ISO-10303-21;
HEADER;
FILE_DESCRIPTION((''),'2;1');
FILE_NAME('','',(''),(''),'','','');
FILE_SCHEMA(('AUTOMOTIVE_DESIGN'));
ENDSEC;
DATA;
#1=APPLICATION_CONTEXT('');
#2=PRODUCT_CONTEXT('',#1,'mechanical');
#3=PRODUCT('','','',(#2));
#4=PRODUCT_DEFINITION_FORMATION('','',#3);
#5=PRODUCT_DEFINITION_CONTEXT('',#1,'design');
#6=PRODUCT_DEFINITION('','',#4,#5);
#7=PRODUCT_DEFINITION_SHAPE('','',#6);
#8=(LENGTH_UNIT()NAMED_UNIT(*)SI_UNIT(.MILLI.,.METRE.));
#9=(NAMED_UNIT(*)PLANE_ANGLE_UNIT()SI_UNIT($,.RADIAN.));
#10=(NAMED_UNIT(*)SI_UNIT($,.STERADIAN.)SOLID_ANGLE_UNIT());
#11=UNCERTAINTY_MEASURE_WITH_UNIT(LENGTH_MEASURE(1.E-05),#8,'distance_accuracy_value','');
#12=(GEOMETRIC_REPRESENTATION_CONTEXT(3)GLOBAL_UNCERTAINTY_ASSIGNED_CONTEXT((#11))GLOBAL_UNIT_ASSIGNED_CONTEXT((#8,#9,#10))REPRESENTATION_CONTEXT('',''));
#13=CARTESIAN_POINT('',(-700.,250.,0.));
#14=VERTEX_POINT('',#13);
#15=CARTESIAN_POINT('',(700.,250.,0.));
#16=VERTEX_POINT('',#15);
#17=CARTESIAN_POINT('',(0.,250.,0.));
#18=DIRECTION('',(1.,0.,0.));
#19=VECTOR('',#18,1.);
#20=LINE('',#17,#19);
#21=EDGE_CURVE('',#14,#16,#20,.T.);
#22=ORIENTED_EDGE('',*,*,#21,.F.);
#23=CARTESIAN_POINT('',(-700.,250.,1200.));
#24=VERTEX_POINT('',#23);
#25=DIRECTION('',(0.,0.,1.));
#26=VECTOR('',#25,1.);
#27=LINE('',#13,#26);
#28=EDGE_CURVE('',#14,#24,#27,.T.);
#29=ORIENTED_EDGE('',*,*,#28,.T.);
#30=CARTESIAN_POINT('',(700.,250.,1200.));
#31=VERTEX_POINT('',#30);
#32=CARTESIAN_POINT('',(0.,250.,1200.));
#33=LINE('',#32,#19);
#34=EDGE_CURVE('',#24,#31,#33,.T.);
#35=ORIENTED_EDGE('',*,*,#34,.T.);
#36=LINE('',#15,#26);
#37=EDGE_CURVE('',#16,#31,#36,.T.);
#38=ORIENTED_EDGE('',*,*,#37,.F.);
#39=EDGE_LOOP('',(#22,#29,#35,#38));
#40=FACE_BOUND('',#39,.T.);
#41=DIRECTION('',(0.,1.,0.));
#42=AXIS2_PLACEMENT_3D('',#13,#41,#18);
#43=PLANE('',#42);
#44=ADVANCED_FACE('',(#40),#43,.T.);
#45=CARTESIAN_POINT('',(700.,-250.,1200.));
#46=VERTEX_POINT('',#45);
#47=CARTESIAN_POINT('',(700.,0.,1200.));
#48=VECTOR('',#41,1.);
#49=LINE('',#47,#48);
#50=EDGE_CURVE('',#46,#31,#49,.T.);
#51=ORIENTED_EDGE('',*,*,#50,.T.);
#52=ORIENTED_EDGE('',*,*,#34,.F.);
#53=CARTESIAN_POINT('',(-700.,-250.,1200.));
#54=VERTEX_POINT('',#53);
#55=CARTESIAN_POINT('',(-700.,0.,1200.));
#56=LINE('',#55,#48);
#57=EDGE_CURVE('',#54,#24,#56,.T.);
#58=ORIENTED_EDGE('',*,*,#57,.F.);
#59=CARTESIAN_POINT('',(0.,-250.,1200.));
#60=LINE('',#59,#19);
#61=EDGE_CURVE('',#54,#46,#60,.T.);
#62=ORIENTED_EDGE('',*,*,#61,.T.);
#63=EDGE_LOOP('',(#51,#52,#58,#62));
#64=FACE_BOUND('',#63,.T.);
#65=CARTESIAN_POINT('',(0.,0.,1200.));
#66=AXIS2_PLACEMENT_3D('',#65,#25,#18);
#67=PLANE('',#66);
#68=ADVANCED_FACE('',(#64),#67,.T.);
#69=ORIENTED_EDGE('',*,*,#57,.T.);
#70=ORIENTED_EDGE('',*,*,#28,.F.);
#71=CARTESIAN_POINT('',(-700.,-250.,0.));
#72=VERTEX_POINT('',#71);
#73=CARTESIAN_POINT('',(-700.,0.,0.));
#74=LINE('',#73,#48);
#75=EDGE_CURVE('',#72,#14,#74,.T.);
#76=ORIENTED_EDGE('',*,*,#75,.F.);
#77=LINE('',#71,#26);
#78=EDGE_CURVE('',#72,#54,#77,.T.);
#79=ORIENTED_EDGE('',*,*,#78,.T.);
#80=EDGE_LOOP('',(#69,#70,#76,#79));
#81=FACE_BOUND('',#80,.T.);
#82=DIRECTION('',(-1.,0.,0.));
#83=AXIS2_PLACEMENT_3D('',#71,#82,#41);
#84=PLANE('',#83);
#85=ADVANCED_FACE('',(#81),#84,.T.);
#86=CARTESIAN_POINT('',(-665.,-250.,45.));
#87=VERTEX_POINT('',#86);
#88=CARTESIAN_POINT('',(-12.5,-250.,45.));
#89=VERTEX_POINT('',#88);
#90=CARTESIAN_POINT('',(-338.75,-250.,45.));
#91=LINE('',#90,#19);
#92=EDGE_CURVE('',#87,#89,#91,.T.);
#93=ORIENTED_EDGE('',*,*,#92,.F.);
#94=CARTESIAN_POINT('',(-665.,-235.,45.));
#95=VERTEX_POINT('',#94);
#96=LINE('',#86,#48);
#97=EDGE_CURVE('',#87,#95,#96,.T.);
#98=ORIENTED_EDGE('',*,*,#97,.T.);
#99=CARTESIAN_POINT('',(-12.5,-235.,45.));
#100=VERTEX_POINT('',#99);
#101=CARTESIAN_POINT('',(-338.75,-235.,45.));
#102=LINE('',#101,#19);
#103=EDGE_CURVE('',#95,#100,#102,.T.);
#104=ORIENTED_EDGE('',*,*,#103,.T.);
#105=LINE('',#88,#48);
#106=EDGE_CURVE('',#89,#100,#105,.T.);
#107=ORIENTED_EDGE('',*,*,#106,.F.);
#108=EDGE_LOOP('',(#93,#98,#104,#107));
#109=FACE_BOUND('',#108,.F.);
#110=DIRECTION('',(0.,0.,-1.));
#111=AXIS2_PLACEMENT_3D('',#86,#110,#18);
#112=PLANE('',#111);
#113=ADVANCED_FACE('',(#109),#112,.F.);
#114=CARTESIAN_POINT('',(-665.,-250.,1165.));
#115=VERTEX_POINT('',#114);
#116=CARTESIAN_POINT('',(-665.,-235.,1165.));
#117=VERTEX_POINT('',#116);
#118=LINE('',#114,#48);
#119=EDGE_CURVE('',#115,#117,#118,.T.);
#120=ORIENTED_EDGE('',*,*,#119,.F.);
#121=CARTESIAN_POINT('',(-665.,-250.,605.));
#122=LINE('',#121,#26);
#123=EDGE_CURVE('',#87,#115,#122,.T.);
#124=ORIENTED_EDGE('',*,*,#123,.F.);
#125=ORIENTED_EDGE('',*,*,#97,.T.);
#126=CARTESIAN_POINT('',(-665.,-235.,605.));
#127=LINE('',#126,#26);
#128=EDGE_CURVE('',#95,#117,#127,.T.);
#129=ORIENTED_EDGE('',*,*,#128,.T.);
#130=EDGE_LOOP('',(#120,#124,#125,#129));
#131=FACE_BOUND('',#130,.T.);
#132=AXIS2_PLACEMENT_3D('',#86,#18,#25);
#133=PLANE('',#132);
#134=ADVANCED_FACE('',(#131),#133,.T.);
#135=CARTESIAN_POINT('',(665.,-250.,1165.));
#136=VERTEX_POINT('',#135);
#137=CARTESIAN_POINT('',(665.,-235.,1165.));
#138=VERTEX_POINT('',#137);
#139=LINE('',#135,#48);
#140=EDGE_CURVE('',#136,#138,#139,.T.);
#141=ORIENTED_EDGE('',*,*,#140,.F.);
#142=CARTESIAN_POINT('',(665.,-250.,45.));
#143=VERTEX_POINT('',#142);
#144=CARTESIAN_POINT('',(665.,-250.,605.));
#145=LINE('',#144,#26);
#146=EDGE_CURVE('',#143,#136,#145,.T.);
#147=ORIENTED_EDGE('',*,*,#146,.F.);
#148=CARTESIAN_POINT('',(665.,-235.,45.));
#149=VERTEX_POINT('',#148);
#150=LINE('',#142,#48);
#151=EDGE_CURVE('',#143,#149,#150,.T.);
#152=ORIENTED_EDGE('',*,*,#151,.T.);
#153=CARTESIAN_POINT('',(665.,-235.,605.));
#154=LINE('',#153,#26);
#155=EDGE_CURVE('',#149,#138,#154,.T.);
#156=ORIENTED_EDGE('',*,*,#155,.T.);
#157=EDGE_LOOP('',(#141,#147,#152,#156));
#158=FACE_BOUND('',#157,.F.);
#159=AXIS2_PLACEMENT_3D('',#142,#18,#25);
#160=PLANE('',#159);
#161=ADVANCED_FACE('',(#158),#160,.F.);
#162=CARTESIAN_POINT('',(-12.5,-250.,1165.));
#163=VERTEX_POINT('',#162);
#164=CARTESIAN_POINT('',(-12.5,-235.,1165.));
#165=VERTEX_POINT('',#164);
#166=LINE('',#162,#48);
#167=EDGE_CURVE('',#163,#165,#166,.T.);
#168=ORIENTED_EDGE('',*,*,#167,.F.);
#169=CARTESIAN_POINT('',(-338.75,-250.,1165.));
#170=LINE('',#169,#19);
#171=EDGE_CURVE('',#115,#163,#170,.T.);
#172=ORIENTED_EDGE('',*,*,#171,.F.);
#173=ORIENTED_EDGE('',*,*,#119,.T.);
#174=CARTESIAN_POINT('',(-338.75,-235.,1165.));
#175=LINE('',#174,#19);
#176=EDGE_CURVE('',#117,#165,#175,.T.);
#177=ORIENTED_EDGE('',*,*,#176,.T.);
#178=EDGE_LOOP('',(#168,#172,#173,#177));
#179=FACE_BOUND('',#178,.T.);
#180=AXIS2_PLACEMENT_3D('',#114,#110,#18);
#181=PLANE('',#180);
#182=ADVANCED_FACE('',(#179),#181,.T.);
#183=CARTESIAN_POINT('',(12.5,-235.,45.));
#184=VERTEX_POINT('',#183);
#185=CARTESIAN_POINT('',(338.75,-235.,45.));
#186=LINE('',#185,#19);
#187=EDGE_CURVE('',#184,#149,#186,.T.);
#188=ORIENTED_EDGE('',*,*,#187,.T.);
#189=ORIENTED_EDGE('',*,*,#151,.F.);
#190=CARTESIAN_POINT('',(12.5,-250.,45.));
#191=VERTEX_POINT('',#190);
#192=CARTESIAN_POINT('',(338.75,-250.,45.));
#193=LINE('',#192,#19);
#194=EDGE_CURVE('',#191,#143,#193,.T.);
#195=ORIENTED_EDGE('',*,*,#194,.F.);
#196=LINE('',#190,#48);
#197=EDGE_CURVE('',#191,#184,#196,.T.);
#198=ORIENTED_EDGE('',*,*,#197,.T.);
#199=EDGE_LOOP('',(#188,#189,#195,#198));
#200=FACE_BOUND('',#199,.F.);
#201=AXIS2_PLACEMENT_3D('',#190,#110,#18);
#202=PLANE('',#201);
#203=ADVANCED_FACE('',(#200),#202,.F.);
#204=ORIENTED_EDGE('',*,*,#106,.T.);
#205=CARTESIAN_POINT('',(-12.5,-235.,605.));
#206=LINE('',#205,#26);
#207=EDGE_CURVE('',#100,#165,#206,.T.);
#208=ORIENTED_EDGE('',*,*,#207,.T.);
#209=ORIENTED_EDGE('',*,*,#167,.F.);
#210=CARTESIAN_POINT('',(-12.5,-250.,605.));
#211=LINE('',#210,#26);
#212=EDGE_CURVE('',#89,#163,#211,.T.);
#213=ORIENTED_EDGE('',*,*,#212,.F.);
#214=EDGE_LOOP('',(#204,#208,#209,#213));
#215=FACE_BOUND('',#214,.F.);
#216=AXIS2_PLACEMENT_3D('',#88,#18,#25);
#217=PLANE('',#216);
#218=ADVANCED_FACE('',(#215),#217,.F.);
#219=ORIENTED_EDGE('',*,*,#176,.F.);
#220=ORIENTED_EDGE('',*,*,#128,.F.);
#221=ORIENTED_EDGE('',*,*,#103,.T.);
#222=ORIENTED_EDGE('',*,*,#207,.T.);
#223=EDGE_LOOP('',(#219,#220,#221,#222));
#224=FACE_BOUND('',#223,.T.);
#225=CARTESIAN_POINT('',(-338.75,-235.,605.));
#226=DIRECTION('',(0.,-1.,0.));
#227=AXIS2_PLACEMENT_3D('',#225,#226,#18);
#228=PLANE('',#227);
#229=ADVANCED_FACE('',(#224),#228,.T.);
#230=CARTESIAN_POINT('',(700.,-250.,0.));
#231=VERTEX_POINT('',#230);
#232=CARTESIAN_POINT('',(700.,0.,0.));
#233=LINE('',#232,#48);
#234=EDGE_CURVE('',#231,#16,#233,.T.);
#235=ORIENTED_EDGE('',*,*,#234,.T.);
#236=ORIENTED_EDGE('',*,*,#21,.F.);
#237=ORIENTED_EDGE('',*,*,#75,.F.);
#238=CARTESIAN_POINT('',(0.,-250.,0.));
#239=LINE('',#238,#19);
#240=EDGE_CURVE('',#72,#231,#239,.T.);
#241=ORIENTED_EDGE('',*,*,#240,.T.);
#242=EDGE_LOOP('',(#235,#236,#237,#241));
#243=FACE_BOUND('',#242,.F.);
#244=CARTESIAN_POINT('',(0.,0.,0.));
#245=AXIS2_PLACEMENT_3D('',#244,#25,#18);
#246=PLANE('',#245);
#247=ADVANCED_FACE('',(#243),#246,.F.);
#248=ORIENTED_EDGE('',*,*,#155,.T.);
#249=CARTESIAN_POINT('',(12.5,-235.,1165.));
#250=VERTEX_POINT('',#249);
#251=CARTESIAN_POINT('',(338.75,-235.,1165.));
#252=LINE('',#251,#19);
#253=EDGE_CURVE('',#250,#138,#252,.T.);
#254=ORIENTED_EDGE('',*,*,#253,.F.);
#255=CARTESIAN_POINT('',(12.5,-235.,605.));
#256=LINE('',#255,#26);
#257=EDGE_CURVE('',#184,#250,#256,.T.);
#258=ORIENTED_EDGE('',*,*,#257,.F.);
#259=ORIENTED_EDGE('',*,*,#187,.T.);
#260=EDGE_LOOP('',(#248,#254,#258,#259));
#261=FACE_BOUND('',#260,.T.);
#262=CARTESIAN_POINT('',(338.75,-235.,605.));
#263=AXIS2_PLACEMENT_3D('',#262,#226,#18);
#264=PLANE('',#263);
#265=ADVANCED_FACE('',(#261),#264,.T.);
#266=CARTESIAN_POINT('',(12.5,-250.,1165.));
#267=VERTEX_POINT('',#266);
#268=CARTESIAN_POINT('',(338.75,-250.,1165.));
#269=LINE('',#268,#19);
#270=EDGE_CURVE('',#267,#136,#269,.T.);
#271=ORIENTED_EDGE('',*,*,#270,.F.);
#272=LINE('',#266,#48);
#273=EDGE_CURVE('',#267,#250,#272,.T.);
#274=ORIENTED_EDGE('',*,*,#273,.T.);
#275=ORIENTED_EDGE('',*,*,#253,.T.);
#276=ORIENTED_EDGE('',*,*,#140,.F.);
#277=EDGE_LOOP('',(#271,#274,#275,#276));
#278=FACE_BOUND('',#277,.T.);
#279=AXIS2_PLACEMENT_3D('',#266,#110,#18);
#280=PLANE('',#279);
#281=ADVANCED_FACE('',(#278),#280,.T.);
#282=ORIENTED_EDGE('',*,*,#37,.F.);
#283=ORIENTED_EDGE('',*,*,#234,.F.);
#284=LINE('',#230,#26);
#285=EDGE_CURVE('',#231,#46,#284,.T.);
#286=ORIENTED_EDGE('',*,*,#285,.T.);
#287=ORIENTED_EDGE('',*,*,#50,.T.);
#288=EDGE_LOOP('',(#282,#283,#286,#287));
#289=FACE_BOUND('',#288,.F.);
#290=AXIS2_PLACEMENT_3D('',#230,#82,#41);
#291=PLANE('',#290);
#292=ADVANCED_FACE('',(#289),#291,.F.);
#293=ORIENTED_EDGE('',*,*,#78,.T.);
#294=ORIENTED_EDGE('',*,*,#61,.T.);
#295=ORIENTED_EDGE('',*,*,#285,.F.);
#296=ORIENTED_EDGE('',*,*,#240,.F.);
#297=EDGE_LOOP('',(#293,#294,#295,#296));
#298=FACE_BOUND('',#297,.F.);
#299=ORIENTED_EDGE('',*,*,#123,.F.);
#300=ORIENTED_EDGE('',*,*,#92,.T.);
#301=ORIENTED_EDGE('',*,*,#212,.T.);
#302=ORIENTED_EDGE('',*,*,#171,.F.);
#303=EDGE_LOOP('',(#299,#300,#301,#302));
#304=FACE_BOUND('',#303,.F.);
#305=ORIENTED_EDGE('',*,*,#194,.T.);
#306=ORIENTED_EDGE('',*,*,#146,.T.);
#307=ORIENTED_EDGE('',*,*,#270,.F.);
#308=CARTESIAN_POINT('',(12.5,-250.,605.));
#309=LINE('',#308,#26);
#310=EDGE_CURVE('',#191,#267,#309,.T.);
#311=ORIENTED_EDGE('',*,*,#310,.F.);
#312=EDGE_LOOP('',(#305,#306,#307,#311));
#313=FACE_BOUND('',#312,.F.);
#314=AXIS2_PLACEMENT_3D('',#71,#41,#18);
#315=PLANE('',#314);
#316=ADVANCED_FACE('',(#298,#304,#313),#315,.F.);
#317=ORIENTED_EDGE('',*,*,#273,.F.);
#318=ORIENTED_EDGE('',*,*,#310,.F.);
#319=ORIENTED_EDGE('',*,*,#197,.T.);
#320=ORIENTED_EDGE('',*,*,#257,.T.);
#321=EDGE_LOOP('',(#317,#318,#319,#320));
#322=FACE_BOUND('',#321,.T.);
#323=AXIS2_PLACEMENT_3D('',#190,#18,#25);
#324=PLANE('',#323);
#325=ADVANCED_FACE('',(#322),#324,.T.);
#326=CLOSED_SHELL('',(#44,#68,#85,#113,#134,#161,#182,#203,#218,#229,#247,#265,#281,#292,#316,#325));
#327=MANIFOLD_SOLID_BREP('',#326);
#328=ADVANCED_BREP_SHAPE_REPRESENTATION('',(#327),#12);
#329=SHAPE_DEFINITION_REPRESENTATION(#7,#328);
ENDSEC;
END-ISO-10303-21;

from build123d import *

# Parameters (mm, degrees)
F0_W     = 1400
F0_H     = 500
F1_DEPTH = 1200
F2_W     = 652.5
F2_H     = 1120
F3_DEPTH = 15


with BuildPart() as f1:
    # F0 (on Top) → F1 (new body)
    with BuildSketch(Plane.XY):
        Rectangle(F0_W, F0_H)
    extrude(amount=F1_DEPTH)

    # F2 (on face) → F3 (cut)
    with BuildSketch(Plane.XZ.offset(250)):
        with Locations((-338.75, 605)):
            Rectangle(F2_W, F2_H)
        with Locations((338.75, 605)):
            Rectangle(F2_W, F2_H)
    extrude(amount=-F3_DEPTH, mode=Mode.SUBTRACT)


solid = f1.part
